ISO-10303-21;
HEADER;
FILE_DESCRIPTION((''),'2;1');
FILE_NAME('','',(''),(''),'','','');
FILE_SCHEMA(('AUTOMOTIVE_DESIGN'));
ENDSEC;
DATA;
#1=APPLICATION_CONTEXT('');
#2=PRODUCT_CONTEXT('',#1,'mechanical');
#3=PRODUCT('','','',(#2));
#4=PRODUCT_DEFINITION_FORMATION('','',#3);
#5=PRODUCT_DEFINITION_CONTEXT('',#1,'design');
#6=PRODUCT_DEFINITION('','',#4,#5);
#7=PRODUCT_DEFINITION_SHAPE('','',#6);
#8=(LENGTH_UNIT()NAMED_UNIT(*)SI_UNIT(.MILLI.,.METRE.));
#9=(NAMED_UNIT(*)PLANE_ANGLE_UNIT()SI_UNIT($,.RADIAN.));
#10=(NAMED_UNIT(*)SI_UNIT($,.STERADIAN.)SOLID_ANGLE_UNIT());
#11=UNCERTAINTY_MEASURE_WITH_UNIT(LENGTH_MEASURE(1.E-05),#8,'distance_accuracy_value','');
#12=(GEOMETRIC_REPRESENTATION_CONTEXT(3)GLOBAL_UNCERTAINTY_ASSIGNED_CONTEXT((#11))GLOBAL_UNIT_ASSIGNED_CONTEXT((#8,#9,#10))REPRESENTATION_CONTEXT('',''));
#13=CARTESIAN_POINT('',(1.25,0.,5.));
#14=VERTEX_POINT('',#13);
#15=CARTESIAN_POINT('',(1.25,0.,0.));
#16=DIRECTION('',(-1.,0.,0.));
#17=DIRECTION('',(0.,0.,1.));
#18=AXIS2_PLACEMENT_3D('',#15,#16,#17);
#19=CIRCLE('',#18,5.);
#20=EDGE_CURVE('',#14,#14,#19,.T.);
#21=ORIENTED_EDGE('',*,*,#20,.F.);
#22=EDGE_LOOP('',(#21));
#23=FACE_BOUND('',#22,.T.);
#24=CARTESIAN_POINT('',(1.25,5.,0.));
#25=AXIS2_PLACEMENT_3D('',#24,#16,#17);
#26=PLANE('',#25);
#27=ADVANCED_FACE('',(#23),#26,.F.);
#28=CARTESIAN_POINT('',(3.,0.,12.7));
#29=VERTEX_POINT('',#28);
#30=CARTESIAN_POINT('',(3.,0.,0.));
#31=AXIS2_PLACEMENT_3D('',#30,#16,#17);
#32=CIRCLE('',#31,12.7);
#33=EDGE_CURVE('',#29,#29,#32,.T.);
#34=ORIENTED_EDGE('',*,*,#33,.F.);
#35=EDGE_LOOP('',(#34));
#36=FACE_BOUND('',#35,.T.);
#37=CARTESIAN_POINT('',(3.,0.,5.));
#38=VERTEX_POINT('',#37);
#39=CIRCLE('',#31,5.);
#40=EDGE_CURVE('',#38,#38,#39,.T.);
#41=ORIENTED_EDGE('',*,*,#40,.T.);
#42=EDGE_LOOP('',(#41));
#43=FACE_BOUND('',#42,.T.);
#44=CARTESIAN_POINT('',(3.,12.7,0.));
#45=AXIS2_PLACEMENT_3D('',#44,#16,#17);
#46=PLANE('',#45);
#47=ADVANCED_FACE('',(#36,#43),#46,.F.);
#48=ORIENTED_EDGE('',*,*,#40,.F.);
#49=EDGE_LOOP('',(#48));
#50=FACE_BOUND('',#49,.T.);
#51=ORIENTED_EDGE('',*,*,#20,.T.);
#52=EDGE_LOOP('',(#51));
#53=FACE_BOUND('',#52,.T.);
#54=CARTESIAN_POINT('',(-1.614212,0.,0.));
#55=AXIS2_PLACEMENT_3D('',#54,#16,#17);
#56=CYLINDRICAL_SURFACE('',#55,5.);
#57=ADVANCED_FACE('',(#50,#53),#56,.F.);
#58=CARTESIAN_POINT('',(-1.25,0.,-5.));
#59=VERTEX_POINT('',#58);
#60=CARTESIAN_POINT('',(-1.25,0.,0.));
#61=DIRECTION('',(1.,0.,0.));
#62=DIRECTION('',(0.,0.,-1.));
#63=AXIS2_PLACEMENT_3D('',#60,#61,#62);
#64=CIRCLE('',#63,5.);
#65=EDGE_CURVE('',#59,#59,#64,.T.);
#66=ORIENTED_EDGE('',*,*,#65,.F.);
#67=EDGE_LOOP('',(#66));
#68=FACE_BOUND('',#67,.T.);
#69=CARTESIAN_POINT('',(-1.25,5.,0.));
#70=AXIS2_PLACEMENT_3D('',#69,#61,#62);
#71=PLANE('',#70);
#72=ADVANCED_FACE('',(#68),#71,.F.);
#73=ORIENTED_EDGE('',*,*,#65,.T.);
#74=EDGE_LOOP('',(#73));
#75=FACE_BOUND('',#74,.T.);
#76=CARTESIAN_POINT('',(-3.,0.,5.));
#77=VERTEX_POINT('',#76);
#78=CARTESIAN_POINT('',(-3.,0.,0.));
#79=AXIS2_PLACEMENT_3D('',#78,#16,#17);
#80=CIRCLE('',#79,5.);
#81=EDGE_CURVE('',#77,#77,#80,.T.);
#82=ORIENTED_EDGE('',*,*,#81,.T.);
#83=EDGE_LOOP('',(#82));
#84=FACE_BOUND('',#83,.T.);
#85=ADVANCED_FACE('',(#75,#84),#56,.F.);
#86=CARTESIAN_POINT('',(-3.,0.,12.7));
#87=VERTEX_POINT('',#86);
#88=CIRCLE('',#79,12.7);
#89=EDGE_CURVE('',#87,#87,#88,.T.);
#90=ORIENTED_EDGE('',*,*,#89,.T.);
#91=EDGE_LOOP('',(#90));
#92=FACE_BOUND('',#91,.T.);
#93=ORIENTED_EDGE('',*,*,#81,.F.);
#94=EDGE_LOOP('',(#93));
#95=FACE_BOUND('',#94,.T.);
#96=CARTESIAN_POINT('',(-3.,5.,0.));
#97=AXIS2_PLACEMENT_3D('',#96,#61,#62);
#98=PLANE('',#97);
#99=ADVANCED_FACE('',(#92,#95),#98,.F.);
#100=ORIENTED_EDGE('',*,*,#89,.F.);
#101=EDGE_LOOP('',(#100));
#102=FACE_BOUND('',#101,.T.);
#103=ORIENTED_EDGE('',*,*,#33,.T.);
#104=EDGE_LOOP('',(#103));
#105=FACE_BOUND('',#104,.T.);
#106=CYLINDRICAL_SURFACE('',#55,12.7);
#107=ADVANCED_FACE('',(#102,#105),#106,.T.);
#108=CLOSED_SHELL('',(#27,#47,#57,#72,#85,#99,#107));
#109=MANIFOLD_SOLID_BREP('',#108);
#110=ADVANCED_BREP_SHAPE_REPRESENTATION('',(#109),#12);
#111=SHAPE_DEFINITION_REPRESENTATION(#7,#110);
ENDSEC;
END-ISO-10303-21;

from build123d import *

# Parameters (mm, degrees)
SKETCH_1_W = 2.5
SKETCH_1_H = 5
SKETCH_4_W = 6
SKETCH_4_H = 7.7


with BuildPart() as part:
    # 草图1 → 旋转2 (revolve)
    with BuildSketch(Plane.XY, mode=Mode.PRIVATE) as revolve_2_sk:
        with Locations((0, 2.5)):
            Rectangle(SKETCH_1_W, SKETCH_1_H)
    revolve(revolve_2_sk.sketch.rotate(Axis((-1.25, 0, 0), (1, 0, 0)), 90), axis=Axis((-1.25, 0, 0), (1, 0, 0)))  # turned: the seam where the file's is

    # 草图4 → 旋转3 (revolve)
    with BuildSketch(Plane.XY, mode=Mode.PRIVATE) as revolve_3_sk:
        with Locations((0, 8.85)):
            Rectangle(SKETCH_4_W, SKETCH_4_H)
    revolve(revolve_3_sk.sketch.rotate(Axis((-1.614212419, 0, 0), (1, 0, 0)), 90), axis=Axis((-1.614212419, 0, 0), (1, 0, 0)))  # turned: the seam where the file's is


solid = part.part
